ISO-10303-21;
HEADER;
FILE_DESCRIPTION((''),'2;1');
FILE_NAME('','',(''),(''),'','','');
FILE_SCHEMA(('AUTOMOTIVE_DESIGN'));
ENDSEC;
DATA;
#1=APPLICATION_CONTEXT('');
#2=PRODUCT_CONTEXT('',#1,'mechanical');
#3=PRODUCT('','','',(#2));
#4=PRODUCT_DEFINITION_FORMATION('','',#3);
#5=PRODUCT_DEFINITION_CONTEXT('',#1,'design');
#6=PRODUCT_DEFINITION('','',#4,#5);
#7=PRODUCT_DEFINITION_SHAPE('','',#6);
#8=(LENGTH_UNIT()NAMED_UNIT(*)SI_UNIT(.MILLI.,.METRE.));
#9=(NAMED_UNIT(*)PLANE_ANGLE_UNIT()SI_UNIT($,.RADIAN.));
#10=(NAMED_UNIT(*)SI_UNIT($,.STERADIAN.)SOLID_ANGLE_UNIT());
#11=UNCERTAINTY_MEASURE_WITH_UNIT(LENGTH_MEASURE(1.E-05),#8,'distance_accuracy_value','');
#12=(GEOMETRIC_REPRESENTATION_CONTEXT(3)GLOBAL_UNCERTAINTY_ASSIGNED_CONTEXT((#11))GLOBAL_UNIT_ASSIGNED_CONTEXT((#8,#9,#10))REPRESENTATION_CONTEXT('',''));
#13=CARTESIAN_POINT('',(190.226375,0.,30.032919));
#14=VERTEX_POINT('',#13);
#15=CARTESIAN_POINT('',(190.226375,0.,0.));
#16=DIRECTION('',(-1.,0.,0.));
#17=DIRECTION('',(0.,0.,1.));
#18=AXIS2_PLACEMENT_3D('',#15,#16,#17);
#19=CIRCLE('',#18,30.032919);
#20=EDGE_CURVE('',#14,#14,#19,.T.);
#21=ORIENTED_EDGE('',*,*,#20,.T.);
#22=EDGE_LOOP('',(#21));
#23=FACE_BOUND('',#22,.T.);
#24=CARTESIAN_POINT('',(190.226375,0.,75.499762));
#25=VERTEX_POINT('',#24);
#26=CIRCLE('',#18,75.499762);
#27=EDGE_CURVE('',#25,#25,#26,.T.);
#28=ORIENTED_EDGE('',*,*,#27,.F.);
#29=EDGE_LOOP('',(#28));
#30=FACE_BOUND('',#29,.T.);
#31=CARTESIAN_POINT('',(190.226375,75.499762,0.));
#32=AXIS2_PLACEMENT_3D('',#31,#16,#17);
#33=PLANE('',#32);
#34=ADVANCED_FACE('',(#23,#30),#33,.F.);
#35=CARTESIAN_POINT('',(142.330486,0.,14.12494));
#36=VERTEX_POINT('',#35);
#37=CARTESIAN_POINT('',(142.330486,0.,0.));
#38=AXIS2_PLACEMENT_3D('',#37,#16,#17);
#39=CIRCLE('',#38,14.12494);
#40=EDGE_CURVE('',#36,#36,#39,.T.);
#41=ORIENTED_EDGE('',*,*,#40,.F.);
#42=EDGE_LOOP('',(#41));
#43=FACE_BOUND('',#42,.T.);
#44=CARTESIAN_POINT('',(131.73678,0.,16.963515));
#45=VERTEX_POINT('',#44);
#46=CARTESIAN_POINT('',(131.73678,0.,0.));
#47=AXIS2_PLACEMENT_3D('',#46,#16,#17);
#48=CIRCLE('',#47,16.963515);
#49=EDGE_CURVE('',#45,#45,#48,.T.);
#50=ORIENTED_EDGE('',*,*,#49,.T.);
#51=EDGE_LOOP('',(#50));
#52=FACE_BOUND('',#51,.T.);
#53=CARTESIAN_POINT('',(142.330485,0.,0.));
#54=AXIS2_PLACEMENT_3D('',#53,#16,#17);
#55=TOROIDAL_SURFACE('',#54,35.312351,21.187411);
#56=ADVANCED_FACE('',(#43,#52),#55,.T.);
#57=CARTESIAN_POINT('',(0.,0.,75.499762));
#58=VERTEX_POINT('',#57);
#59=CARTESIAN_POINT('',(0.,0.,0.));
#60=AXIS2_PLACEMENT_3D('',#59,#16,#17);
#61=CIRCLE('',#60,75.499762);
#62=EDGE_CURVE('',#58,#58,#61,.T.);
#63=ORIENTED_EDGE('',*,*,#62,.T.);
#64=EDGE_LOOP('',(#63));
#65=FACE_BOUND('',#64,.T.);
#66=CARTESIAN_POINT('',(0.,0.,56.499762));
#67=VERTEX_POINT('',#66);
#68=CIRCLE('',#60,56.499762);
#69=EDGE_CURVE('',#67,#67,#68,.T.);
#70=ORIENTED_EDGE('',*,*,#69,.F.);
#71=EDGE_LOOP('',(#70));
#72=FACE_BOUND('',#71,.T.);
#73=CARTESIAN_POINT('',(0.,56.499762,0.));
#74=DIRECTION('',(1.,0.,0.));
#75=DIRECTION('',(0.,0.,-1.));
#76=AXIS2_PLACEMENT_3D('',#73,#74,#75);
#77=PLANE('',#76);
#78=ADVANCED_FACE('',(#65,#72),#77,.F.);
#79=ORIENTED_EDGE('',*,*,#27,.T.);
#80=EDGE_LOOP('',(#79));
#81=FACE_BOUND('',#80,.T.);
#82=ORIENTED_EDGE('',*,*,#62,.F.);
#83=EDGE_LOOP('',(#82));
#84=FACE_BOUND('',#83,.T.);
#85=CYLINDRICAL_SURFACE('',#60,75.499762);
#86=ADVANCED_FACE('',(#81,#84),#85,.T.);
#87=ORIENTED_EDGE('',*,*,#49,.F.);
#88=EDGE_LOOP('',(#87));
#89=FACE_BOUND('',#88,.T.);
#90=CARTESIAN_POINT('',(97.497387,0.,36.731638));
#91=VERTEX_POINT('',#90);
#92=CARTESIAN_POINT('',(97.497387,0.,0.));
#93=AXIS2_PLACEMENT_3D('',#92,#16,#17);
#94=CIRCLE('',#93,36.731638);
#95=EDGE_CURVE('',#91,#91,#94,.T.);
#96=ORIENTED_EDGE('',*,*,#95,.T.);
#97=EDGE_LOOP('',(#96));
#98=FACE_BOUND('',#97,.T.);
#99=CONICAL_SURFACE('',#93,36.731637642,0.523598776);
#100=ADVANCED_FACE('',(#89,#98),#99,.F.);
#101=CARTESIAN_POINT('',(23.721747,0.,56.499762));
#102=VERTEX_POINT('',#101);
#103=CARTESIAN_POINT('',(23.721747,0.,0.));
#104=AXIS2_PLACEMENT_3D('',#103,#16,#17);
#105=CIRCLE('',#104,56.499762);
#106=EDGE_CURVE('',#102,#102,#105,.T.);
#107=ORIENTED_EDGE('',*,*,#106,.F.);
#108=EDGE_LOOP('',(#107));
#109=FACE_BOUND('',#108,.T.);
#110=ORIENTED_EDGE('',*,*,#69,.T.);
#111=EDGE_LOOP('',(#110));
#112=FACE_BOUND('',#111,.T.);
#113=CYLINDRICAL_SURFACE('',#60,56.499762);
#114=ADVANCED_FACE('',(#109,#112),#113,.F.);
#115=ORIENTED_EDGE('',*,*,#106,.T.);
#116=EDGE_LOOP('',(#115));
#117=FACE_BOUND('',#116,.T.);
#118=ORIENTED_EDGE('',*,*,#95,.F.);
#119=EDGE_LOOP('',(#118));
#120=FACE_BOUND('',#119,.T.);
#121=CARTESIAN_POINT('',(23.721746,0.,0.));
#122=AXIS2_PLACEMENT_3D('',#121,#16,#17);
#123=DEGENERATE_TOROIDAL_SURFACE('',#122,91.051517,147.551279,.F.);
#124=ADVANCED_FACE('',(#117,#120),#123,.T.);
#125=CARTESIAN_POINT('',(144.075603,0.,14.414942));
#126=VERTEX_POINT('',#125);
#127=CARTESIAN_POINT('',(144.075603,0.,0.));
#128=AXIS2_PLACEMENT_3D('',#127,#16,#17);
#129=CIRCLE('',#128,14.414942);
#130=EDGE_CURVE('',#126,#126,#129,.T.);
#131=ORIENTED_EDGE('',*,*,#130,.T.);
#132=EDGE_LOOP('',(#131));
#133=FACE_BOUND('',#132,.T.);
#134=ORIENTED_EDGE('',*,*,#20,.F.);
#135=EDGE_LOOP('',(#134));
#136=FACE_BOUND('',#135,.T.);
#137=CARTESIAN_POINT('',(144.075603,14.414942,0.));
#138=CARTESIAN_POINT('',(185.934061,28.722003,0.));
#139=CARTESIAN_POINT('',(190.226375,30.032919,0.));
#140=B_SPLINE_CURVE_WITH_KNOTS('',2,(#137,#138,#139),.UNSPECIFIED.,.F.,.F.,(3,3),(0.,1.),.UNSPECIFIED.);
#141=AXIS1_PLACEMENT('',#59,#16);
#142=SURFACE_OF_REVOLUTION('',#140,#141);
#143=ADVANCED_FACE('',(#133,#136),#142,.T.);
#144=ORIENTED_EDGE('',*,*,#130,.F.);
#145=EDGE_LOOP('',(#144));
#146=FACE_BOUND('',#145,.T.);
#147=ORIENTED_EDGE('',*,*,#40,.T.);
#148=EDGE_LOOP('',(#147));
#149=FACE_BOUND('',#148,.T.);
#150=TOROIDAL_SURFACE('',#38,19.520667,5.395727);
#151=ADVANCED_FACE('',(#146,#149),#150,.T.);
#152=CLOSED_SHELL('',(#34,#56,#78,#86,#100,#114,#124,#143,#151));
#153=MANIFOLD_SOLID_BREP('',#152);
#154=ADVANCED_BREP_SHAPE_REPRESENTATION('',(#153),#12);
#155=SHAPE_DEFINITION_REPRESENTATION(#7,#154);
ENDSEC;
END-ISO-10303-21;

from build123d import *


with BuildPart() as part:
    # Model → Revolve1 (revolve)
    with BuildSketch(Plane.XY, mode=Mode.PRIVATE) as revolve1_sk:
        with BuildLine():
            Line((0, 56.499761536), (23.721747443, 56.499761536))
            ThreePointArc((23.721747443, 56.499761536), (61.910828562, 51.472073195), (97.497386789, 36.731637642))
            Line((97.497386789, 36.731637642), (131.736780289, 16.963514588))
            ThreePointArc((131.736780289, 16.963514588), (136.846780231, 14.84688352), (142.330485577, 14.124940199))
            ThreePointArc((142.330485577, 14.124940199), (143.215010337, 14.197934269), (144.075603175, 14.414941534))
            add(Edge.make_bspline(
                [(144.075603175, 14.414941534), (185.934060843, 28.722002721), (190.226374917, 30.032918805)],
                knots=[0, 0, 0, 1, 1, 1], degree=2))
            Line((190.226374917, 30.032918805), (190.226374917, 75.499761536))
            Line((190.226374917, 75.499761536), (0, 75.499761536))
            Line((0, 75.499761536), (0, 56.499761536))
        make_face()
    revolve(revolve1_sk.sketch.rotate(Axis((0, 0, 0), (1, 0, 0)), 90), axis=Axis((0, 0, 0), (1, 0, 0)))


solid = part.part
